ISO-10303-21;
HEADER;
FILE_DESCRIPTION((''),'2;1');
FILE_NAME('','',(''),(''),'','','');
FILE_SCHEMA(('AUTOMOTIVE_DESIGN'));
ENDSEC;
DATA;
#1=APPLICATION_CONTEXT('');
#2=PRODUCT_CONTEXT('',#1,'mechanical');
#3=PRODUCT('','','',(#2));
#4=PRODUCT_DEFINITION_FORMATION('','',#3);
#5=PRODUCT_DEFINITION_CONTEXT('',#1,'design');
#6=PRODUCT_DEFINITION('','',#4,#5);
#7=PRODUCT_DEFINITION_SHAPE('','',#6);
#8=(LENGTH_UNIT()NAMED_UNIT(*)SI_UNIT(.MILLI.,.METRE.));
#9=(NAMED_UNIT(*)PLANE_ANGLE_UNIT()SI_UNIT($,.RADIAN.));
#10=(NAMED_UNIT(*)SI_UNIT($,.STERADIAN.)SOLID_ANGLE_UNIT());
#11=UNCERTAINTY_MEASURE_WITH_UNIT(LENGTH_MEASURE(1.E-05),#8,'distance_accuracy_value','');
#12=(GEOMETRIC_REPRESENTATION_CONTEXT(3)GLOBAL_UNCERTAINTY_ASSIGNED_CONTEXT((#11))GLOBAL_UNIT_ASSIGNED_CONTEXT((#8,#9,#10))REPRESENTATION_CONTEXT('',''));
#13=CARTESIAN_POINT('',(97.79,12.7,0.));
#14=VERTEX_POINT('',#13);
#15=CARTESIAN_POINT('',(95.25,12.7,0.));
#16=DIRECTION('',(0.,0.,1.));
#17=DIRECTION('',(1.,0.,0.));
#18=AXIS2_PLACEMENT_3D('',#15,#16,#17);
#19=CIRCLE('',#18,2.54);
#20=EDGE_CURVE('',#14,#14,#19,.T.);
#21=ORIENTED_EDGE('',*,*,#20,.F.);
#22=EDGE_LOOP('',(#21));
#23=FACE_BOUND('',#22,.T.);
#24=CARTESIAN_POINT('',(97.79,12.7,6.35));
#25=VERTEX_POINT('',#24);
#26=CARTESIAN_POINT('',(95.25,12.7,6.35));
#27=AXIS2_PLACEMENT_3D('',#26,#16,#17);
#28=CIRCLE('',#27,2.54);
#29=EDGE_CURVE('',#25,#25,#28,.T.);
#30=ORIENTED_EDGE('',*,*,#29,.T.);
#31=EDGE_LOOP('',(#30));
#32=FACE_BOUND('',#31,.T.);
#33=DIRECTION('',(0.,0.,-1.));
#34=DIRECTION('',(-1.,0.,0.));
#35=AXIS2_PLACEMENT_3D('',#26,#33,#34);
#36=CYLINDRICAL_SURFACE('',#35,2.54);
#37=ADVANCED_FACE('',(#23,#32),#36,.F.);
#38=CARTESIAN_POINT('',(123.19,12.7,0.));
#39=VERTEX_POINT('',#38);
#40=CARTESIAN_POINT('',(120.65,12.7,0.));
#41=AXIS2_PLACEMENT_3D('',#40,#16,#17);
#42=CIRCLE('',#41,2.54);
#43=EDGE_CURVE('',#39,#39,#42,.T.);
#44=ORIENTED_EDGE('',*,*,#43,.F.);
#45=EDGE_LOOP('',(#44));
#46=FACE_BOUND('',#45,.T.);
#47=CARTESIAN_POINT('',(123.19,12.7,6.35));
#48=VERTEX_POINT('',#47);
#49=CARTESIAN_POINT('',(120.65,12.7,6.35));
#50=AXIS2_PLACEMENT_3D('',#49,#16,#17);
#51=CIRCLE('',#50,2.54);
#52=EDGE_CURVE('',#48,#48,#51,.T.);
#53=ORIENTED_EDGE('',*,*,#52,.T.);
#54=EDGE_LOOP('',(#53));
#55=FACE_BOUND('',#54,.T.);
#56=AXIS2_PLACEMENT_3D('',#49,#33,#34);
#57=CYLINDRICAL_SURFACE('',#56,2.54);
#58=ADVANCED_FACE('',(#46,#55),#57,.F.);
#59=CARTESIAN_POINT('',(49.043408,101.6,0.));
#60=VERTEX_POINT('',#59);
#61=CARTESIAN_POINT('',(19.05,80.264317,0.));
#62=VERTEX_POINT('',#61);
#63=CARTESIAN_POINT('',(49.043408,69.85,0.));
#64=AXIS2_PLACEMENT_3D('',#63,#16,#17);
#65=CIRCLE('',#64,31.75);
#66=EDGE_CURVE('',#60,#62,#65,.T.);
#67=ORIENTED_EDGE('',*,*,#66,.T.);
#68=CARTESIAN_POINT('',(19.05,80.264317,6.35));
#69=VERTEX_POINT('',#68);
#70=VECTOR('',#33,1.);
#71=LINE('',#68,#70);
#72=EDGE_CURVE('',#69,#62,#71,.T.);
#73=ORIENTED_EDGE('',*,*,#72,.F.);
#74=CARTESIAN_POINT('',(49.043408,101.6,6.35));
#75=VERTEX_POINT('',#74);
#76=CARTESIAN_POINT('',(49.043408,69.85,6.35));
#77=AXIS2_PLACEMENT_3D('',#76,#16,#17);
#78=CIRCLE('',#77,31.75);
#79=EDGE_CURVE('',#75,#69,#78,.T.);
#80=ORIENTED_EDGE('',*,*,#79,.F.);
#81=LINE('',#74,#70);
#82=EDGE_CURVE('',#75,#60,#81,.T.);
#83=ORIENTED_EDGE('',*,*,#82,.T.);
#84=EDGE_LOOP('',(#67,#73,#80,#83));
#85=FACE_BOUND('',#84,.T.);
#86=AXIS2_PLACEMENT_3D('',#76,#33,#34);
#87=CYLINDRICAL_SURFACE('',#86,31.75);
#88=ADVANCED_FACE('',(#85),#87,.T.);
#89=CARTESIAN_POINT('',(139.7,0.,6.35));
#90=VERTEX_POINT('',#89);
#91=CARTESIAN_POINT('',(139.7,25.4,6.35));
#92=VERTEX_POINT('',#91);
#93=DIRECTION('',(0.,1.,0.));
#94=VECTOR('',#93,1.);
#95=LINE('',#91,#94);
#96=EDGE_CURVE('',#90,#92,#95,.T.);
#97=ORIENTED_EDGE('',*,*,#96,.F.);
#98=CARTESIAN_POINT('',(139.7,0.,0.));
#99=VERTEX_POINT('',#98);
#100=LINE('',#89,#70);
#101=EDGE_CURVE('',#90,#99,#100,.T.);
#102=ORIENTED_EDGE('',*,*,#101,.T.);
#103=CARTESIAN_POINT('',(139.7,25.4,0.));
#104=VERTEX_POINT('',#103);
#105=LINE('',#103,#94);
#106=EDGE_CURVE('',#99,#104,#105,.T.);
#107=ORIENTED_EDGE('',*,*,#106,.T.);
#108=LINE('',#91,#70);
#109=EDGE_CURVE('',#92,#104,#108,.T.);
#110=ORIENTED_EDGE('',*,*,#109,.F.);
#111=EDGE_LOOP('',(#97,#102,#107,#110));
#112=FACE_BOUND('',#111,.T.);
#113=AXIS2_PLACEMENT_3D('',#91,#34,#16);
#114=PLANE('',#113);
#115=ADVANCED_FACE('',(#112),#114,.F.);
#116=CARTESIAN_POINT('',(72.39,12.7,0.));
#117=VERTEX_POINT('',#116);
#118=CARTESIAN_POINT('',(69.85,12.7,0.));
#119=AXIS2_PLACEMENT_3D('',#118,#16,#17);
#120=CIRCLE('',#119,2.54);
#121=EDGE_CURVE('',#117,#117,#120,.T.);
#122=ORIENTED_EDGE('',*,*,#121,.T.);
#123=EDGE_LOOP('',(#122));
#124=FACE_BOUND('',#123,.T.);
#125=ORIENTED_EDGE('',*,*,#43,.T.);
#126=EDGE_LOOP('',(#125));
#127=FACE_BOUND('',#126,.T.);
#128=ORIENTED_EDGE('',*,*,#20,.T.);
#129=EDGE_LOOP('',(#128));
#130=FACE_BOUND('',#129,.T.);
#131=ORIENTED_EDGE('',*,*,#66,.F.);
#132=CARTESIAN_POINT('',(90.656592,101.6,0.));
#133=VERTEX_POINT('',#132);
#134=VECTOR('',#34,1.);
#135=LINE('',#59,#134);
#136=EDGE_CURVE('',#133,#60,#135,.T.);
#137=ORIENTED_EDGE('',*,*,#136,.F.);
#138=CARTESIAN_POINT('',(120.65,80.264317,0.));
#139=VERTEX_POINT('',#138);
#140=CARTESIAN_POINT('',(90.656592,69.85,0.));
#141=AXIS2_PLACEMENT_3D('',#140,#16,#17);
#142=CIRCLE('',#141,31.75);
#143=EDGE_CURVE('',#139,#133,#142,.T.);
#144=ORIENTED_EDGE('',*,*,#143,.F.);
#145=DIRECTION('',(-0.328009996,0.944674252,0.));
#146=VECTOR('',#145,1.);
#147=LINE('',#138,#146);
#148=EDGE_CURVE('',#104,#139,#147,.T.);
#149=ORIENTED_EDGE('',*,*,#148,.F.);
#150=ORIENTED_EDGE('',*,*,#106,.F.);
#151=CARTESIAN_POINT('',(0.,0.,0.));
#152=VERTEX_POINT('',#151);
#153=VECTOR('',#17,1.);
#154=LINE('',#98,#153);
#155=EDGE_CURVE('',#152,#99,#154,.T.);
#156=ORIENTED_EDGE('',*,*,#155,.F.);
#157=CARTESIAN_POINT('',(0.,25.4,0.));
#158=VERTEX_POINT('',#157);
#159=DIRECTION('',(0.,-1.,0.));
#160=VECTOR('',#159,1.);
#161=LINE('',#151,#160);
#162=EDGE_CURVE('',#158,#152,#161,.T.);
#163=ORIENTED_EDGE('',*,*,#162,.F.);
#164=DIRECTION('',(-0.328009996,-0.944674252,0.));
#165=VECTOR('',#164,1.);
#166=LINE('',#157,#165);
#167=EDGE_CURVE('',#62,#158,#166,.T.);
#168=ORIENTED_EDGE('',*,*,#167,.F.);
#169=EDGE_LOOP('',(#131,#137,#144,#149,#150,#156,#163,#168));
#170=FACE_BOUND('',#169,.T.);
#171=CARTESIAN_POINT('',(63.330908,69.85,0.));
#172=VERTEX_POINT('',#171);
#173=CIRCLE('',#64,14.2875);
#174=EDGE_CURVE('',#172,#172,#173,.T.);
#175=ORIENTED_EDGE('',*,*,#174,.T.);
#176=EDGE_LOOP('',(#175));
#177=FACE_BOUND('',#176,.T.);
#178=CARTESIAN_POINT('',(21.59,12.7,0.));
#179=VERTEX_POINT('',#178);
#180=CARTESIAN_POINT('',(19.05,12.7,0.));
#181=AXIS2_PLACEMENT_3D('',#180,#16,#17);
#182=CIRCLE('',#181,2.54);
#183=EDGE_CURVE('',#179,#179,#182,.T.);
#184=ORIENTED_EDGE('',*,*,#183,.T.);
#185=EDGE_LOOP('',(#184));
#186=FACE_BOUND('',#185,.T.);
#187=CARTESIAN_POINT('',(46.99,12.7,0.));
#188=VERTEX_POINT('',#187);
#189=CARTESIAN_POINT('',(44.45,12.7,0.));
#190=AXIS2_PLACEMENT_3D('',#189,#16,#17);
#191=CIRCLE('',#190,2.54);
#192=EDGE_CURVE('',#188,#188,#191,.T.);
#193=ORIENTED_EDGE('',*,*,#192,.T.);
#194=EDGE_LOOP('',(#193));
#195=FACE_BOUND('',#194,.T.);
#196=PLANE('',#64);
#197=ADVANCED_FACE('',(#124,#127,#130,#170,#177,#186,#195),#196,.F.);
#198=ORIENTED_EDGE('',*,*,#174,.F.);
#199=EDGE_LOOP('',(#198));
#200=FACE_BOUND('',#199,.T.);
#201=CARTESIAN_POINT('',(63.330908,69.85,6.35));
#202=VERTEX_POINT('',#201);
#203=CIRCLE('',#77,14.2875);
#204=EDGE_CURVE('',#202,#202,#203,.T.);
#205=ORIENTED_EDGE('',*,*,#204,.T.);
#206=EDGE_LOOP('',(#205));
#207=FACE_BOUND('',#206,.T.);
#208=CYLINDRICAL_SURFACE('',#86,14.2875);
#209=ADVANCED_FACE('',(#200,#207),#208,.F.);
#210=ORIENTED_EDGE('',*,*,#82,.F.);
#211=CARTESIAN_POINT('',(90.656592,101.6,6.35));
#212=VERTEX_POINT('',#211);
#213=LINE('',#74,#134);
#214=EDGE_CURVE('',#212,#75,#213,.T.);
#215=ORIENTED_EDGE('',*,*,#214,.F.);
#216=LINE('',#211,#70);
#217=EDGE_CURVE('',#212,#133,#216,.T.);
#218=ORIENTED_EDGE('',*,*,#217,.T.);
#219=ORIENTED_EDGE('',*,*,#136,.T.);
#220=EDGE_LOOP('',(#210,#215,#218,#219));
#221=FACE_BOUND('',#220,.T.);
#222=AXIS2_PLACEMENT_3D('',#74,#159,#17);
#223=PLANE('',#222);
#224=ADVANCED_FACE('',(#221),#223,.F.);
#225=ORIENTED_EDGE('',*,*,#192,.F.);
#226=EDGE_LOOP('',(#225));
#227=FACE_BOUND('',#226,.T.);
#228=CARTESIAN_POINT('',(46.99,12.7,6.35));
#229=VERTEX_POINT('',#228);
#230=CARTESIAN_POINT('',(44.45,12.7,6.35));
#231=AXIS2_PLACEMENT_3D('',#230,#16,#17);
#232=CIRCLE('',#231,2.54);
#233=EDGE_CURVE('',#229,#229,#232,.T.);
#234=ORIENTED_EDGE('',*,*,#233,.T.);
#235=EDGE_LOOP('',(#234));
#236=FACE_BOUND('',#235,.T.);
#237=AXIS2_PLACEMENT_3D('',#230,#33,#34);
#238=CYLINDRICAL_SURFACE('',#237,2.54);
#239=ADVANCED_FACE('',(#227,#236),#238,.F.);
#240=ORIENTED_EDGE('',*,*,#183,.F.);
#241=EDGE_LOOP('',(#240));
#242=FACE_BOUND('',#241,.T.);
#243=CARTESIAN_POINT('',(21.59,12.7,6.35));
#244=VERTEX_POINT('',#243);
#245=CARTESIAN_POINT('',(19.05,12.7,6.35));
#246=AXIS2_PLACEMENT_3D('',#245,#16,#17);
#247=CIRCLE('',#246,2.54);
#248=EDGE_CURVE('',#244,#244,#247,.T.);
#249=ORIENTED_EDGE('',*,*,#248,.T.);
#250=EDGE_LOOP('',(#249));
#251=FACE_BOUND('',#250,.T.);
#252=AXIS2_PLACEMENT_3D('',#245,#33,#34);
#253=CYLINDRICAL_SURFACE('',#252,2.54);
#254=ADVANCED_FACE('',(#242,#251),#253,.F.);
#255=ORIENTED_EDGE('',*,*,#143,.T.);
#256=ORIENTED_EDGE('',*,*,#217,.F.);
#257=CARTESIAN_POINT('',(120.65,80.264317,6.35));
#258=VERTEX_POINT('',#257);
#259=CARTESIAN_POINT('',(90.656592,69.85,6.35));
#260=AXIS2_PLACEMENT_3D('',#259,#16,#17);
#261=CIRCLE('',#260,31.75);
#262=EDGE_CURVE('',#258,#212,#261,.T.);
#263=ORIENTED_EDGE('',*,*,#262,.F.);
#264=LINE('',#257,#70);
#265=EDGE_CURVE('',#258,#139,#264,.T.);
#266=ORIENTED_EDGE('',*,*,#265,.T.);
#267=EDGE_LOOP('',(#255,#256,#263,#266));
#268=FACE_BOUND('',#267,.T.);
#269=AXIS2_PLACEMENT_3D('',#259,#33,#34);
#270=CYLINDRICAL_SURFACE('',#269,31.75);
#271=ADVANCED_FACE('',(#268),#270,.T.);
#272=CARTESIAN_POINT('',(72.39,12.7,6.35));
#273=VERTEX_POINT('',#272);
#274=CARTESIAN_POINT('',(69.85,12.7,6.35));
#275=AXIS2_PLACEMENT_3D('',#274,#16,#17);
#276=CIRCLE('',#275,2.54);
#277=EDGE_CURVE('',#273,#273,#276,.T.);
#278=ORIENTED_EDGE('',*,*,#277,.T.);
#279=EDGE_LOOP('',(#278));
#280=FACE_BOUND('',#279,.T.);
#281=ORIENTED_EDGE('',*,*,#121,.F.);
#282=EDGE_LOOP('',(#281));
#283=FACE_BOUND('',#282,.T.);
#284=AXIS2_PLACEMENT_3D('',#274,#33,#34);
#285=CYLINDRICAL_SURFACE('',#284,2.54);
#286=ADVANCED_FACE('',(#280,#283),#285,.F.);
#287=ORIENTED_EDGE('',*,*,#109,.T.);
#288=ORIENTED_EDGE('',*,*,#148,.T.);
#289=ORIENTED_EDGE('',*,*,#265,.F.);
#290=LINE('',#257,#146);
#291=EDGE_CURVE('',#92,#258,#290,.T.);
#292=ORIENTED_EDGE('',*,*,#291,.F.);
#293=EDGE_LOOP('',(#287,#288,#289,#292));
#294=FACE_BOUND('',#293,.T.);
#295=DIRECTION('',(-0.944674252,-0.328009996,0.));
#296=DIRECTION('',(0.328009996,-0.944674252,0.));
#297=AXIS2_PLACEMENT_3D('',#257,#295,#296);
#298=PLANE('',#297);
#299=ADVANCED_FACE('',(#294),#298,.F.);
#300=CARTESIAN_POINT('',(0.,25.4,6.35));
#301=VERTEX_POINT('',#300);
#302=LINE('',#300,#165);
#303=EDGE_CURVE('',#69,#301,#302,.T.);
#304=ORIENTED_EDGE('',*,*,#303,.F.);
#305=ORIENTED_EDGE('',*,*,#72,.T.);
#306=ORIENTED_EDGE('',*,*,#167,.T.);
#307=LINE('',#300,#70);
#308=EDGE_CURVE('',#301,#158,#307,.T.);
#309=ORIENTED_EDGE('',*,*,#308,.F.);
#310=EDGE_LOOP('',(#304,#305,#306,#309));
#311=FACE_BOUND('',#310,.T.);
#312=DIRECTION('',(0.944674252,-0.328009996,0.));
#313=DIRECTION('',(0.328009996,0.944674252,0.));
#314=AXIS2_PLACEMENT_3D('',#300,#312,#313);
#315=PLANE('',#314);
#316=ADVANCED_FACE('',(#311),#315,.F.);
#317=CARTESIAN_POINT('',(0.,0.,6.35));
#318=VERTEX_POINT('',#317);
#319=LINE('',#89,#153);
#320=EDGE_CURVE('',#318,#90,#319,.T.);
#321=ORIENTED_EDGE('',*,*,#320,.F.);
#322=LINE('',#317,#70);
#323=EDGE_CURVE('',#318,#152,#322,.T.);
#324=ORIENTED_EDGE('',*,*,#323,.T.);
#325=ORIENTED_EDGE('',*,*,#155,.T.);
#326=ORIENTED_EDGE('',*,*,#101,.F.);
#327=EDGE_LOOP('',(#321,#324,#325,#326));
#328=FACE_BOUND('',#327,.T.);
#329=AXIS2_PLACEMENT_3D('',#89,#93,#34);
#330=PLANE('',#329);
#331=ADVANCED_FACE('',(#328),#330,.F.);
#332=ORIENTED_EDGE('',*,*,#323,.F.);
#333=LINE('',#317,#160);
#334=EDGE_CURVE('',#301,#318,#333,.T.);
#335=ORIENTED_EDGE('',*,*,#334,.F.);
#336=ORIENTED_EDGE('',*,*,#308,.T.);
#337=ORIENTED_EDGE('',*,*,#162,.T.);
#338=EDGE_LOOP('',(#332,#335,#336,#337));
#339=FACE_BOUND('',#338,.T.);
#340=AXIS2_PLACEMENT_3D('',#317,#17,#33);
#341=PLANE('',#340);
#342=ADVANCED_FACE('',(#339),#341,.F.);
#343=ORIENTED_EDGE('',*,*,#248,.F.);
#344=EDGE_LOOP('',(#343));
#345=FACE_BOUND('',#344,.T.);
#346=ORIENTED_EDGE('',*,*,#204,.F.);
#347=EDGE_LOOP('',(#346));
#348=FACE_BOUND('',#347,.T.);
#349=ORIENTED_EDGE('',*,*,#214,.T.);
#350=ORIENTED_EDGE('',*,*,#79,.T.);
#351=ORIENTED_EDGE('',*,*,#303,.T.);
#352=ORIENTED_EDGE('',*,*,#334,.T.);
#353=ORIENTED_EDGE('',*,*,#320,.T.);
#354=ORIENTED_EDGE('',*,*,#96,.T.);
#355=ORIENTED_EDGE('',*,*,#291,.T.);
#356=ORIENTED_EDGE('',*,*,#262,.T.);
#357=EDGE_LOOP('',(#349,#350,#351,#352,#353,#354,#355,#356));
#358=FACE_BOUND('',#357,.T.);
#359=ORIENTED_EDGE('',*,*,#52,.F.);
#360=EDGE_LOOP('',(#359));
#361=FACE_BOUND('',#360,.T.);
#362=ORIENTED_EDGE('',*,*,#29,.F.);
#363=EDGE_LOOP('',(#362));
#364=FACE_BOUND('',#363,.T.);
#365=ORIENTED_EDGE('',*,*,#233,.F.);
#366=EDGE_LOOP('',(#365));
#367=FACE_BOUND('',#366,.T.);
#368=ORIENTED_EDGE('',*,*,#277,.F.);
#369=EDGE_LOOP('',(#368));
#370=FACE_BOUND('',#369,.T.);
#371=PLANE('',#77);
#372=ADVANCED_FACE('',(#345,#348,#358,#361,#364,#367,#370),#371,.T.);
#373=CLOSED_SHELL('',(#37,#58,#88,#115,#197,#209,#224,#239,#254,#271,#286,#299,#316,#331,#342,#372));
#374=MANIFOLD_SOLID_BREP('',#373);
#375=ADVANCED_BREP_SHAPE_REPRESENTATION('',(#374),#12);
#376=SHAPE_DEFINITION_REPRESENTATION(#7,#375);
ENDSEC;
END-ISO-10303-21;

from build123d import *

# Parameters (mm, degrees)
SKETCH1_R           = 14.2875
SKETCH1_R_2         = 2.54
BOSS_EXTRUDE1_DEPTH = 6.35


with BuildPart() as part:
    # Sketch1 → Boss-Extrude1 (new body)
    with BuildSketch(Plane.XY):
        with BuildLine():
            Line((49.043407506, 101.6), (90.656592494, 101.6))
            ThreePointArc((90.656592494, 101.6), (109.060504085, 95.721964327), (120.65, 80.264317364))
            Line((120.65, 80.264317364), (139.7, 25.4))
            Line((139.7, 25.4), (139.7, 0))
            Line((139.7, 0), (0, 0))
            Line((0, 0), (0, 25.4))
            Line((0, 25.4), (19.05, 80.264317364))
            ThreePointArc((19.05, 80.264317364), (30.639495915, 95.721964327), (49.043407506, 101.6))
        make_face()
        with Locations((49.043407506, 69.85)):
            Circle(SKETCH1_R, mode=Mode.SUBTRACT)
        with Locations((69.85, 12.7)):
            Circle(SKETCH1_R_2, mode=Mode.SUBTRACT)
        with Locations((95.25, 12.7)):
            Circle(SKETCH1_R_2, mode=Mode.SUBTRACT)
        with Locations((120.65, 12.7)):
            Circle(SKETCH1_R_2, mode=Mode.SUBTRACT)
        with Locations((44.45, 12.7)):
            Circle(SKETCH1_R_2, mode=Mode.SUBTRACT)
        with Locations((19.05, 12.7)):
            Circle(SKETCH1_R_2, mode=Mode.SUBTRACT)
    extrude(amount=BOSS_EXTRUDE1_DEPTH)


solid = part.part
